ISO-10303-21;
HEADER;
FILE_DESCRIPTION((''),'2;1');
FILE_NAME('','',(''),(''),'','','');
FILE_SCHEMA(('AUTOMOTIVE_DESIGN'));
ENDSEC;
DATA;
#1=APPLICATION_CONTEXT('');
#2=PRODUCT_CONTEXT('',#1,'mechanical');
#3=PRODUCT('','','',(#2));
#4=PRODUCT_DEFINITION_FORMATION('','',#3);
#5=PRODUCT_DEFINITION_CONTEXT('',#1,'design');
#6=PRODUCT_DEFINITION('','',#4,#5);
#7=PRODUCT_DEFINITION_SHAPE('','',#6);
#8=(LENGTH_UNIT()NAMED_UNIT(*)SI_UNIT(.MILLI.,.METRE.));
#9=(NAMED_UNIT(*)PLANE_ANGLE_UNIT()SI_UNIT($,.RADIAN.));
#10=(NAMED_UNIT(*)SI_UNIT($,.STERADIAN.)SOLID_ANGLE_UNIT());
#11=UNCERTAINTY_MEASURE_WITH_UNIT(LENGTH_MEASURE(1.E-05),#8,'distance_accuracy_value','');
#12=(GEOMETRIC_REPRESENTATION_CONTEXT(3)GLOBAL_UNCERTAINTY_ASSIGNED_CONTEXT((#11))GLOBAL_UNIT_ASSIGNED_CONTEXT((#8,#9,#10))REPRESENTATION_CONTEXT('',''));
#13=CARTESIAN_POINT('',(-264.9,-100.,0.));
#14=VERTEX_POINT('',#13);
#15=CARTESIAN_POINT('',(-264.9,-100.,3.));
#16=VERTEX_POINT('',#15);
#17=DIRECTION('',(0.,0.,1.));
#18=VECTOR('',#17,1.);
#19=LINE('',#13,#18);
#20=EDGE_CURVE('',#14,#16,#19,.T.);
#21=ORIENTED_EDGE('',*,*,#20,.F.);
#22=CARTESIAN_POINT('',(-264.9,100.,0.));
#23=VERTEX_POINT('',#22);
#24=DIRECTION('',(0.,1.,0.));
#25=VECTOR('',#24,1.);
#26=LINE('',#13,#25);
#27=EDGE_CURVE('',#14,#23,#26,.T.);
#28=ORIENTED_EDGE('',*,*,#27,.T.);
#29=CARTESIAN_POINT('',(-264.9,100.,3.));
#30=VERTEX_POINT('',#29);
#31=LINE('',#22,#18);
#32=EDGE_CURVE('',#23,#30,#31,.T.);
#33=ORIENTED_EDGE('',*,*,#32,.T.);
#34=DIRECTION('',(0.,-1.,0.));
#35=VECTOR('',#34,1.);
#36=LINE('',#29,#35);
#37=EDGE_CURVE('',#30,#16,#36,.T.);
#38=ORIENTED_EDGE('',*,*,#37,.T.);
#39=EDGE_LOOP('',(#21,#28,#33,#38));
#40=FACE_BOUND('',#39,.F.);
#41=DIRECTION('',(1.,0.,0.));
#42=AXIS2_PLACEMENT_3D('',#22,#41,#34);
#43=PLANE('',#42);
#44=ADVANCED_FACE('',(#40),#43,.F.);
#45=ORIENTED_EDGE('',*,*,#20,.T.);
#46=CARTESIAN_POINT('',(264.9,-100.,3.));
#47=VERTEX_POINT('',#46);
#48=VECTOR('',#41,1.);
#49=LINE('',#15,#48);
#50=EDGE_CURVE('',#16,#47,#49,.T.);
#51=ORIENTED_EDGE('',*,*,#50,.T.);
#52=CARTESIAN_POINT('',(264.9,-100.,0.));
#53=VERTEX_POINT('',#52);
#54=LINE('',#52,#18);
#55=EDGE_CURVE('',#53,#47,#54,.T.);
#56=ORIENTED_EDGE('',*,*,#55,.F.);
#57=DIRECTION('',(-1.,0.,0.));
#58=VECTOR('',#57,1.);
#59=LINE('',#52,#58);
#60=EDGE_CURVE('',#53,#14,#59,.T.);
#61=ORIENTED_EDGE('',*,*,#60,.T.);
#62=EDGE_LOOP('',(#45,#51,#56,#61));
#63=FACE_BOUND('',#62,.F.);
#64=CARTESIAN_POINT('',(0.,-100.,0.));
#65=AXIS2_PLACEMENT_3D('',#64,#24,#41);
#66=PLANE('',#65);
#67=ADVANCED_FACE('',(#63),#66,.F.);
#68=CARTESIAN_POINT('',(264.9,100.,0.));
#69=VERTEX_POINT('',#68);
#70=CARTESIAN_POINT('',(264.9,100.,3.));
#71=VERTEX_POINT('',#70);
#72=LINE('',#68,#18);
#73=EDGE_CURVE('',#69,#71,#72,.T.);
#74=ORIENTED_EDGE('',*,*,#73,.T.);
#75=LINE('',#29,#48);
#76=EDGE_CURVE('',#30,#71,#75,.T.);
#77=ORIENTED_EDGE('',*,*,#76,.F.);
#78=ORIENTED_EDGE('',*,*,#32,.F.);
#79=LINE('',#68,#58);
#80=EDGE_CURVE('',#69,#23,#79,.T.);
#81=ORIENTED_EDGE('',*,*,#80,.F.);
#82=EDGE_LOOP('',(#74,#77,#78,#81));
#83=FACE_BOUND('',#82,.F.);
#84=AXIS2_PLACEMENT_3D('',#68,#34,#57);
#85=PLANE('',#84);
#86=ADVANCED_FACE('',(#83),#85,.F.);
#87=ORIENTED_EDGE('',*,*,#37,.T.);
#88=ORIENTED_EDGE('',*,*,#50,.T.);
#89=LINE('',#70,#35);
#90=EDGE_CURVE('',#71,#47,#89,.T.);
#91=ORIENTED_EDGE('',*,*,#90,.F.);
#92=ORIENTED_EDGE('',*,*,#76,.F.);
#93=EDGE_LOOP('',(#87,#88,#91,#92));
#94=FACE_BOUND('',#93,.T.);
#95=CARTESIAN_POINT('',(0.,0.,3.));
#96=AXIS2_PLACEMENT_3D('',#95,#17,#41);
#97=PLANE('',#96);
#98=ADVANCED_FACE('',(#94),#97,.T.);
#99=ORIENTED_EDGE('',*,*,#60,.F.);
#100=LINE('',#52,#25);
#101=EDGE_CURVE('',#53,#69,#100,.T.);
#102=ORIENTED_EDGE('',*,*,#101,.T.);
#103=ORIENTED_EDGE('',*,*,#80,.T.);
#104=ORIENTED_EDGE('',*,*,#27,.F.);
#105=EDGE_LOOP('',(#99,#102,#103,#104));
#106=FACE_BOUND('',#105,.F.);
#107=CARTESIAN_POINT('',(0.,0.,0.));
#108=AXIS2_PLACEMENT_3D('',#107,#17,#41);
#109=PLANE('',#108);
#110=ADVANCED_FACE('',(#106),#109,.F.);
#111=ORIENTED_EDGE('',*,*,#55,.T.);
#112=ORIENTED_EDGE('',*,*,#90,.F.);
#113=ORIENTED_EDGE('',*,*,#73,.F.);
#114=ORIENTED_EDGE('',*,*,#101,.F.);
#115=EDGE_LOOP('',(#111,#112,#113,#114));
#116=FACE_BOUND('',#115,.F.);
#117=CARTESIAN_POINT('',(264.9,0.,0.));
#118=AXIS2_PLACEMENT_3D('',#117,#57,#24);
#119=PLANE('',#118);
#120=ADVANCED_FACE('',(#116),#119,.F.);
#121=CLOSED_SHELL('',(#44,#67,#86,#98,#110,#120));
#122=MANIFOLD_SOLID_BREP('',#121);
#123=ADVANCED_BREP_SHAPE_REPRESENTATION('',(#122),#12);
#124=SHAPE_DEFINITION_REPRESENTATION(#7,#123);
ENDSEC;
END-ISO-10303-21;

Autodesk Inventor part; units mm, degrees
ref_plane "YZ Plane" through (0, 0, 0) normal (1, 0, 0) x (0, 1, 0)
ref_plane "XZ Plane" through (0, 0, 0) normal (0, 1, 0) x (-1, 0, 0)
ref_plane "XY Plane" through (0, 0, 0) normal (0, 0, 1) x (1, 0, 0)
sketch "Skizze1" plane through (0, 0, 0) normal (0, 0, 1) x (1, 0, 0)
  line L0 (0, 140) -> (0, -140) projected
  line L1 (-370.86, 0) -> (370.86, 0) projected
  line L2 (264.9, 100) -> (-264.9, 100)
  line L3 (-264.9, 100) -> (-264.9, -100)
  line L4 (-264.9, -100) -> (264.9, -100)
  line L5 (264.9, -100) -> (264.9, 100)
  point P0 (0, 0)
  point P1 (264.9, 0)
  point P2 (0, 100)
  dimension "d0" = 200
  dimension "d1" = 529.8
extrude "Extrusion1" add sketch "Skizze1" along normal blind 3
properties part number "HousingCage_Sidepanel_short" material "PMMA Plastic"
